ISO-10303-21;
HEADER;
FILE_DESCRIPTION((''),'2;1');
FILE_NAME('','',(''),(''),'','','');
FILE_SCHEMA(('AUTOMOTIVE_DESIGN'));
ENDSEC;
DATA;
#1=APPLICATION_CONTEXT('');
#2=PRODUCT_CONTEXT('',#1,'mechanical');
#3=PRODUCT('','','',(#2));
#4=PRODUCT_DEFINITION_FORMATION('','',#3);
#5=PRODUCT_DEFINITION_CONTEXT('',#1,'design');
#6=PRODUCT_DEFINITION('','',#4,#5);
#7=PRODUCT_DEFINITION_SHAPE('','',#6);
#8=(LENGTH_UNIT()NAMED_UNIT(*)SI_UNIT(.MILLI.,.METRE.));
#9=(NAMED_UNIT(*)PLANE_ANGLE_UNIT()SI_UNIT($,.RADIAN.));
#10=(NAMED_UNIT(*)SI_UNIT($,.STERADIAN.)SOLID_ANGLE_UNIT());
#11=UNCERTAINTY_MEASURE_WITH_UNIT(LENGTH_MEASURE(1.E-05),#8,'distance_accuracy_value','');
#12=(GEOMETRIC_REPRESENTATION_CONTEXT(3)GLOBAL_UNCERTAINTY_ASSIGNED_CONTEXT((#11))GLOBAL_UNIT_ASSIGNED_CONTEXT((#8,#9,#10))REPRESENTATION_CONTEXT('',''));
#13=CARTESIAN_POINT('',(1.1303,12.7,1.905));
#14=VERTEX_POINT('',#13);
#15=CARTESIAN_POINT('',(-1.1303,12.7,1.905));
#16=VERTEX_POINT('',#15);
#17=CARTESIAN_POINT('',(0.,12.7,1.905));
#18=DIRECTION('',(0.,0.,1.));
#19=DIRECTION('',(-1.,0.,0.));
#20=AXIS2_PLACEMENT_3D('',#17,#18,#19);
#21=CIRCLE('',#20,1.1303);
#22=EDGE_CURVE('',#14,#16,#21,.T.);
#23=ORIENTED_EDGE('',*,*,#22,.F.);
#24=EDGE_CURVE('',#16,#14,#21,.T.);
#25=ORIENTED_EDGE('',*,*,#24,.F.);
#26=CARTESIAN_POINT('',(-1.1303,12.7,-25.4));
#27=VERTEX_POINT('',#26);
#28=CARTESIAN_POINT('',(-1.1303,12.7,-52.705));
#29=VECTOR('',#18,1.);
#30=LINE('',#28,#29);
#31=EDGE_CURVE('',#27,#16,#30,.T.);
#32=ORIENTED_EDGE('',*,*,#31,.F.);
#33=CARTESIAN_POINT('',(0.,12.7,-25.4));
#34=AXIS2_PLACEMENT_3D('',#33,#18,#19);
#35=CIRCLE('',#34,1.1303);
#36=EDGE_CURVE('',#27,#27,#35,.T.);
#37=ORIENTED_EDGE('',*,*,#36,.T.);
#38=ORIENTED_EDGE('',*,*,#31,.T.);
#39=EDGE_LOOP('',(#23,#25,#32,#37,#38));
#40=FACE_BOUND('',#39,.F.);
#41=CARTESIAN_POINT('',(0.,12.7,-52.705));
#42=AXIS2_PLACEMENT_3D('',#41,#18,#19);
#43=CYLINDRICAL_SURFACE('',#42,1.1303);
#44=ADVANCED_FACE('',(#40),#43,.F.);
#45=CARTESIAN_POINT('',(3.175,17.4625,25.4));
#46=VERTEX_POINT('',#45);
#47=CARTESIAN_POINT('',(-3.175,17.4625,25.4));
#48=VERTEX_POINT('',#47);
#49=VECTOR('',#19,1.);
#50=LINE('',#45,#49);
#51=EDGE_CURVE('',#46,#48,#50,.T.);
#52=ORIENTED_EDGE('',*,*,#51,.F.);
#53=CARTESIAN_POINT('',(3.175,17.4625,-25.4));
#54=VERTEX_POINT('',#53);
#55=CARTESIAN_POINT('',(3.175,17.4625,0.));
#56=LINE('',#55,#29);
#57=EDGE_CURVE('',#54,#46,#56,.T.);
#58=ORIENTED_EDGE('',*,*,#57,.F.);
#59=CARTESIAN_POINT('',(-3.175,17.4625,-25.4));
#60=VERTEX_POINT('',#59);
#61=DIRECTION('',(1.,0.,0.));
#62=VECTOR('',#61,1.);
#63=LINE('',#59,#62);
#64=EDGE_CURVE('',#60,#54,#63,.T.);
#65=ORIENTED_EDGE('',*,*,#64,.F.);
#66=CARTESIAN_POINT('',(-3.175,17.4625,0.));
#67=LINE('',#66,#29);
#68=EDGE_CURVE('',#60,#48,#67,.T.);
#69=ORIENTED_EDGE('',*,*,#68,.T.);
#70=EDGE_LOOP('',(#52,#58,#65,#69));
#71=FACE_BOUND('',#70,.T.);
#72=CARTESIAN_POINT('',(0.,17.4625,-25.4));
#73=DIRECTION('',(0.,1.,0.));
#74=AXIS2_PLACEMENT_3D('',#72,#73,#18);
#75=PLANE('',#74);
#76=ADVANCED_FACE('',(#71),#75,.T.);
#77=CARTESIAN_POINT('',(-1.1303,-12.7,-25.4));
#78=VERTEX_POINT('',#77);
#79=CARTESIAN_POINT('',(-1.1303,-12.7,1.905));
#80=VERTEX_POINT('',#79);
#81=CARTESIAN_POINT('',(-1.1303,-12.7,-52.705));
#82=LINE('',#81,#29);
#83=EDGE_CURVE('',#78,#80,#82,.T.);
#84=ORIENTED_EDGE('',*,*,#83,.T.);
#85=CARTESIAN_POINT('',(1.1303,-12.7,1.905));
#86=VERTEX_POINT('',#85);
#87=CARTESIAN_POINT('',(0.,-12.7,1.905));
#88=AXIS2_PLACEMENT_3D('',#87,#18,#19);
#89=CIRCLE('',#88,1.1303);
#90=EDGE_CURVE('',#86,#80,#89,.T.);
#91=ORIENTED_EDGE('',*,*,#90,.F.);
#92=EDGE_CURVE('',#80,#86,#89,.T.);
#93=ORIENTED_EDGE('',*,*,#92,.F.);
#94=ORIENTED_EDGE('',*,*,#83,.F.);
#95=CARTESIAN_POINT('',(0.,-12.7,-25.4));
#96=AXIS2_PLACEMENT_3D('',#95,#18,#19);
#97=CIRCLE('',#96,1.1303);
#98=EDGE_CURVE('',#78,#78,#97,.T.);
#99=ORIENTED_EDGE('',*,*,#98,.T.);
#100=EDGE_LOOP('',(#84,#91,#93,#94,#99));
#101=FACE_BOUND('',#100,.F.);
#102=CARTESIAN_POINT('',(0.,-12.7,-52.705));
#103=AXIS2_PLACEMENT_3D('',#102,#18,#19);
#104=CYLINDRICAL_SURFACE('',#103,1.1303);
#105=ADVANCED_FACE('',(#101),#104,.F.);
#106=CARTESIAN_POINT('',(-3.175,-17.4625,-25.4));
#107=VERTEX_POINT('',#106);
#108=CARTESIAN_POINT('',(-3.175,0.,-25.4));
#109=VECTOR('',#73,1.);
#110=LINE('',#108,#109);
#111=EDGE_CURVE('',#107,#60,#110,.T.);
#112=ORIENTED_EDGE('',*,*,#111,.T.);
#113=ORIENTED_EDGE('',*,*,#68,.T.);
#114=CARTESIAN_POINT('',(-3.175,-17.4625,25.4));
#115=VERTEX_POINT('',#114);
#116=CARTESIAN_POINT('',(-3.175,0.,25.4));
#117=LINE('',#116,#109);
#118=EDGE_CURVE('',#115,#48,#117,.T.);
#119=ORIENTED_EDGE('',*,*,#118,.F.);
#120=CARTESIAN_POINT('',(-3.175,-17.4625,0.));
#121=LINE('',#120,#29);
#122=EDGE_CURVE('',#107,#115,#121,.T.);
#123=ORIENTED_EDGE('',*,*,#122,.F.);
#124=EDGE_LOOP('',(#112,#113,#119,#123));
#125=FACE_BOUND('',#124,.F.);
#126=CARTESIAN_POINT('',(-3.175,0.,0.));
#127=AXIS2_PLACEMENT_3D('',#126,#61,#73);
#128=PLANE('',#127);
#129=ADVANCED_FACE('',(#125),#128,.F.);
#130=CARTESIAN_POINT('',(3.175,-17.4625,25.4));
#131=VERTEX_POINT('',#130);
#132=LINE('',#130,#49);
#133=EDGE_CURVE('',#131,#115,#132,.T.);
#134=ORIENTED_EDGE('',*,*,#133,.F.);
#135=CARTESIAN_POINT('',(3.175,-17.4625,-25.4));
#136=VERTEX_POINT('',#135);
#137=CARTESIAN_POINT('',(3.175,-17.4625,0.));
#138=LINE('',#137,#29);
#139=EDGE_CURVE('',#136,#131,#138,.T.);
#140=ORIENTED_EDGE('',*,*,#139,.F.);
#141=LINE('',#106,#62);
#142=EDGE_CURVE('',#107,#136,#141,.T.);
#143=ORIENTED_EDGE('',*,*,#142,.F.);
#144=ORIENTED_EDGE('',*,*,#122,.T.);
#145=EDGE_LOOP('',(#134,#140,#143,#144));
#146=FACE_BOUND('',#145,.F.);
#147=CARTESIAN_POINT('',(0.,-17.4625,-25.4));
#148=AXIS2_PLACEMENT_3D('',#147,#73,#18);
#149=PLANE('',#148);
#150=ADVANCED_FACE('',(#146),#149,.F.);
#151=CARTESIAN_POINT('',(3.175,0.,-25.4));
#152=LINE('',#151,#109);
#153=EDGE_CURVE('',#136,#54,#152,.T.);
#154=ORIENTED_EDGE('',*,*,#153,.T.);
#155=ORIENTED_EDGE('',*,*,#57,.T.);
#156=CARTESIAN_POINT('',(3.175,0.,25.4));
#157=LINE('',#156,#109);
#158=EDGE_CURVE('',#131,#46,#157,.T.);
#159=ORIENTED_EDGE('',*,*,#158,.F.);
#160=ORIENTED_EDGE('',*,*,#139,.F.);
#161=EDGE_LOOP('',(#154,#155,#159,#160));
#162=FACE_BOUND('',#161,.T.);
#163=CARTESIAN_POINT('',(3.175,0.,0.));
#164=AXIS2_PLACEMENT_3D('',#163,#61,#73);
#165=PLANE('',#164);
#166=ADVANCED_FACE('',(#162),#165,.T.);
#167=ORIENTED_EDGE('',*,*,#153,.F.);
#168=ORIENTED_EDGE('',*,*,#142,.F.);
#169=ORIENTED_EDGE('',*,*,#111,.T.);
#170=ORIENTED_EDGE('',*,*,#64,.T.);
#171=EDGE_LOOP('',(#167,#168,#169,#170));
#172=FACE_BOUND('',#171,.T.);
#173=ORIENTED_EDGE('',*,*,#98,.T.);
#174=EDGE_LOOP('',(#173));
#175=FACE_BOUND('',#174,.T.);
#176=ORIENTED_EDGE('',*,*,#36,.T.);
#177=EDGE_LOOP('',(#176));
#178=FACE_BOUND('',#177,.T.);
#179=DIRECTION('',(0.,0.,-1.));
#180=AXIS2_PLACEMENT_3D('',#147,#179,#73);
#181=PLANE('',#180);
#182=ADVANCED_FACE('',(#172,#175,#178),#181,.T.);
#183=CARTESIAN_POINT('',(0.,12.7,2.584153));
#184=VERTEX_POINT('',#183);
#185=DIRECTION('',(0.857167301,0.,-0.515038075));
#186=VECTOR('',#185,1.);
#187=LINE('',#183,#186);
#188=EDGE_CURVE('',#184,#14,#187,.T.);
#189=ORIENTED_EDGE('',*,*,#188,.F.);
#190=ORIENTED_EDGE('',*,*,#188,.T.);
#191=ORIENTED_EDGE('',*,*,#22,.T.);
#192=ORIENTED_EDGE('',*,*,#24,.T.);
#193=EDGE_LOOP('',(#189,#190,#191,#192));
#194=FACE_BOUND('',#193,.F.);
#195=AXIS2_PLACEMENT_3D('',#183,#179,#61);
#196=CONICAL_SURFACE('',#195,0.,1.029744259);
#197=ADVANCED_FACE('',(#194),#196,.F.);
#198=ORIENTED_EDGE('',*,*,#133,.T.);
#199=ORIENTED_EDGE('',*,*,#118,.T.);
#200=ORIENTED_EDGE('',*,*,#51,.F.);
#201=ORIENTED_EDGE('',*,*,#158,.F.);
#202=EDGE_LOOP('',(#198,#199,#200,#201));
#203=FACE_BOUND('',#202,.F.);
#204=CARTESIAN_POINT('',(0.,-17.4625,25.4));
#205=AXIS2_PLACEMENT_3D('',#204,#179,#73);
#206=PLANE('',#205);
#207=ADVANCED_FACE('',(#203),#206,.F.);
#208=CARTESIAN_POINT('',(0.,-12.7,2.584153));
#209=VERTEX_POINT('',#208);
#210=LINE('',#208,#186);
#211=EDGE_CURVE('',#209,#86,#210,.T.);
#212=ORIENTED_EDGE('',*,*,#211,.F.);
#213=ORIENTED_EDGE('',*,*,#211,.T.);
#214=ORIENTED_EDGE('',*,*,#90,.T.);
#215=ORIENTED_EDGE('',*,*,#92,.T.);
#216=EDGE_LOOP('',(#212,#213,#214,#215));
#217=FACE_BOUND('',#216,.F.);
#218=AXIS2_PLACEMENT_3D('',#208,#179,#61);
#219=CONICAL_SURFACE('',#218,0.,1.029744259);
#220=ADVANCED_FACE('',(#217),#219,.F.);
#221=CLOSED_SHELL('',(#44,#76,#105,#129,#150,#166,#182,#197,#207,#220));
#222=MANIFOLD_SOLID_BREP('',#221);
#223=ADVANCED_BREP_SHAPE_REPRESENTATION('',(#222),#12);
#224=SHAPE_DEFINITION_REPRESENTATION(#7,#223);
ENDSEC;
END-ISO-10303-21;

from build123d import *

# Parameters (mm, degrees)
F0_W     = 34.925
F0_H     = 50.8
F1_DEPTH = 3.175
F3_D     = 2.2606
F3_DEPTH = 27.305
F3_TIP   = 0.6791527577


with BuildPart() as f1:
    # F0 (on Right) → F1 (new body, symmetric)
    with BuildSketch(Plane.YZ):
        Rectangle(F0_W, F0_H)
    extrude(amount=F1_DEPTH, both=True)

    # F3
    with Locations(Plane(origin=(0, 0, -25.4), x_dir=(1, 0, 0), z_dir=(0, 0, -1))):
        with Locations((0, 12.7), (0, -12.7)):
            Hole(F3_D / 2, depth=F3_DEPTH)
            with Locations((0, 0, -(F3_DEPTH + F3_TIP / 2))):  # 118° drill point
                Cone(0, F3_D / 2, F3_TIP, mode=Mode.SUBTRACT)


solid = f1.part
